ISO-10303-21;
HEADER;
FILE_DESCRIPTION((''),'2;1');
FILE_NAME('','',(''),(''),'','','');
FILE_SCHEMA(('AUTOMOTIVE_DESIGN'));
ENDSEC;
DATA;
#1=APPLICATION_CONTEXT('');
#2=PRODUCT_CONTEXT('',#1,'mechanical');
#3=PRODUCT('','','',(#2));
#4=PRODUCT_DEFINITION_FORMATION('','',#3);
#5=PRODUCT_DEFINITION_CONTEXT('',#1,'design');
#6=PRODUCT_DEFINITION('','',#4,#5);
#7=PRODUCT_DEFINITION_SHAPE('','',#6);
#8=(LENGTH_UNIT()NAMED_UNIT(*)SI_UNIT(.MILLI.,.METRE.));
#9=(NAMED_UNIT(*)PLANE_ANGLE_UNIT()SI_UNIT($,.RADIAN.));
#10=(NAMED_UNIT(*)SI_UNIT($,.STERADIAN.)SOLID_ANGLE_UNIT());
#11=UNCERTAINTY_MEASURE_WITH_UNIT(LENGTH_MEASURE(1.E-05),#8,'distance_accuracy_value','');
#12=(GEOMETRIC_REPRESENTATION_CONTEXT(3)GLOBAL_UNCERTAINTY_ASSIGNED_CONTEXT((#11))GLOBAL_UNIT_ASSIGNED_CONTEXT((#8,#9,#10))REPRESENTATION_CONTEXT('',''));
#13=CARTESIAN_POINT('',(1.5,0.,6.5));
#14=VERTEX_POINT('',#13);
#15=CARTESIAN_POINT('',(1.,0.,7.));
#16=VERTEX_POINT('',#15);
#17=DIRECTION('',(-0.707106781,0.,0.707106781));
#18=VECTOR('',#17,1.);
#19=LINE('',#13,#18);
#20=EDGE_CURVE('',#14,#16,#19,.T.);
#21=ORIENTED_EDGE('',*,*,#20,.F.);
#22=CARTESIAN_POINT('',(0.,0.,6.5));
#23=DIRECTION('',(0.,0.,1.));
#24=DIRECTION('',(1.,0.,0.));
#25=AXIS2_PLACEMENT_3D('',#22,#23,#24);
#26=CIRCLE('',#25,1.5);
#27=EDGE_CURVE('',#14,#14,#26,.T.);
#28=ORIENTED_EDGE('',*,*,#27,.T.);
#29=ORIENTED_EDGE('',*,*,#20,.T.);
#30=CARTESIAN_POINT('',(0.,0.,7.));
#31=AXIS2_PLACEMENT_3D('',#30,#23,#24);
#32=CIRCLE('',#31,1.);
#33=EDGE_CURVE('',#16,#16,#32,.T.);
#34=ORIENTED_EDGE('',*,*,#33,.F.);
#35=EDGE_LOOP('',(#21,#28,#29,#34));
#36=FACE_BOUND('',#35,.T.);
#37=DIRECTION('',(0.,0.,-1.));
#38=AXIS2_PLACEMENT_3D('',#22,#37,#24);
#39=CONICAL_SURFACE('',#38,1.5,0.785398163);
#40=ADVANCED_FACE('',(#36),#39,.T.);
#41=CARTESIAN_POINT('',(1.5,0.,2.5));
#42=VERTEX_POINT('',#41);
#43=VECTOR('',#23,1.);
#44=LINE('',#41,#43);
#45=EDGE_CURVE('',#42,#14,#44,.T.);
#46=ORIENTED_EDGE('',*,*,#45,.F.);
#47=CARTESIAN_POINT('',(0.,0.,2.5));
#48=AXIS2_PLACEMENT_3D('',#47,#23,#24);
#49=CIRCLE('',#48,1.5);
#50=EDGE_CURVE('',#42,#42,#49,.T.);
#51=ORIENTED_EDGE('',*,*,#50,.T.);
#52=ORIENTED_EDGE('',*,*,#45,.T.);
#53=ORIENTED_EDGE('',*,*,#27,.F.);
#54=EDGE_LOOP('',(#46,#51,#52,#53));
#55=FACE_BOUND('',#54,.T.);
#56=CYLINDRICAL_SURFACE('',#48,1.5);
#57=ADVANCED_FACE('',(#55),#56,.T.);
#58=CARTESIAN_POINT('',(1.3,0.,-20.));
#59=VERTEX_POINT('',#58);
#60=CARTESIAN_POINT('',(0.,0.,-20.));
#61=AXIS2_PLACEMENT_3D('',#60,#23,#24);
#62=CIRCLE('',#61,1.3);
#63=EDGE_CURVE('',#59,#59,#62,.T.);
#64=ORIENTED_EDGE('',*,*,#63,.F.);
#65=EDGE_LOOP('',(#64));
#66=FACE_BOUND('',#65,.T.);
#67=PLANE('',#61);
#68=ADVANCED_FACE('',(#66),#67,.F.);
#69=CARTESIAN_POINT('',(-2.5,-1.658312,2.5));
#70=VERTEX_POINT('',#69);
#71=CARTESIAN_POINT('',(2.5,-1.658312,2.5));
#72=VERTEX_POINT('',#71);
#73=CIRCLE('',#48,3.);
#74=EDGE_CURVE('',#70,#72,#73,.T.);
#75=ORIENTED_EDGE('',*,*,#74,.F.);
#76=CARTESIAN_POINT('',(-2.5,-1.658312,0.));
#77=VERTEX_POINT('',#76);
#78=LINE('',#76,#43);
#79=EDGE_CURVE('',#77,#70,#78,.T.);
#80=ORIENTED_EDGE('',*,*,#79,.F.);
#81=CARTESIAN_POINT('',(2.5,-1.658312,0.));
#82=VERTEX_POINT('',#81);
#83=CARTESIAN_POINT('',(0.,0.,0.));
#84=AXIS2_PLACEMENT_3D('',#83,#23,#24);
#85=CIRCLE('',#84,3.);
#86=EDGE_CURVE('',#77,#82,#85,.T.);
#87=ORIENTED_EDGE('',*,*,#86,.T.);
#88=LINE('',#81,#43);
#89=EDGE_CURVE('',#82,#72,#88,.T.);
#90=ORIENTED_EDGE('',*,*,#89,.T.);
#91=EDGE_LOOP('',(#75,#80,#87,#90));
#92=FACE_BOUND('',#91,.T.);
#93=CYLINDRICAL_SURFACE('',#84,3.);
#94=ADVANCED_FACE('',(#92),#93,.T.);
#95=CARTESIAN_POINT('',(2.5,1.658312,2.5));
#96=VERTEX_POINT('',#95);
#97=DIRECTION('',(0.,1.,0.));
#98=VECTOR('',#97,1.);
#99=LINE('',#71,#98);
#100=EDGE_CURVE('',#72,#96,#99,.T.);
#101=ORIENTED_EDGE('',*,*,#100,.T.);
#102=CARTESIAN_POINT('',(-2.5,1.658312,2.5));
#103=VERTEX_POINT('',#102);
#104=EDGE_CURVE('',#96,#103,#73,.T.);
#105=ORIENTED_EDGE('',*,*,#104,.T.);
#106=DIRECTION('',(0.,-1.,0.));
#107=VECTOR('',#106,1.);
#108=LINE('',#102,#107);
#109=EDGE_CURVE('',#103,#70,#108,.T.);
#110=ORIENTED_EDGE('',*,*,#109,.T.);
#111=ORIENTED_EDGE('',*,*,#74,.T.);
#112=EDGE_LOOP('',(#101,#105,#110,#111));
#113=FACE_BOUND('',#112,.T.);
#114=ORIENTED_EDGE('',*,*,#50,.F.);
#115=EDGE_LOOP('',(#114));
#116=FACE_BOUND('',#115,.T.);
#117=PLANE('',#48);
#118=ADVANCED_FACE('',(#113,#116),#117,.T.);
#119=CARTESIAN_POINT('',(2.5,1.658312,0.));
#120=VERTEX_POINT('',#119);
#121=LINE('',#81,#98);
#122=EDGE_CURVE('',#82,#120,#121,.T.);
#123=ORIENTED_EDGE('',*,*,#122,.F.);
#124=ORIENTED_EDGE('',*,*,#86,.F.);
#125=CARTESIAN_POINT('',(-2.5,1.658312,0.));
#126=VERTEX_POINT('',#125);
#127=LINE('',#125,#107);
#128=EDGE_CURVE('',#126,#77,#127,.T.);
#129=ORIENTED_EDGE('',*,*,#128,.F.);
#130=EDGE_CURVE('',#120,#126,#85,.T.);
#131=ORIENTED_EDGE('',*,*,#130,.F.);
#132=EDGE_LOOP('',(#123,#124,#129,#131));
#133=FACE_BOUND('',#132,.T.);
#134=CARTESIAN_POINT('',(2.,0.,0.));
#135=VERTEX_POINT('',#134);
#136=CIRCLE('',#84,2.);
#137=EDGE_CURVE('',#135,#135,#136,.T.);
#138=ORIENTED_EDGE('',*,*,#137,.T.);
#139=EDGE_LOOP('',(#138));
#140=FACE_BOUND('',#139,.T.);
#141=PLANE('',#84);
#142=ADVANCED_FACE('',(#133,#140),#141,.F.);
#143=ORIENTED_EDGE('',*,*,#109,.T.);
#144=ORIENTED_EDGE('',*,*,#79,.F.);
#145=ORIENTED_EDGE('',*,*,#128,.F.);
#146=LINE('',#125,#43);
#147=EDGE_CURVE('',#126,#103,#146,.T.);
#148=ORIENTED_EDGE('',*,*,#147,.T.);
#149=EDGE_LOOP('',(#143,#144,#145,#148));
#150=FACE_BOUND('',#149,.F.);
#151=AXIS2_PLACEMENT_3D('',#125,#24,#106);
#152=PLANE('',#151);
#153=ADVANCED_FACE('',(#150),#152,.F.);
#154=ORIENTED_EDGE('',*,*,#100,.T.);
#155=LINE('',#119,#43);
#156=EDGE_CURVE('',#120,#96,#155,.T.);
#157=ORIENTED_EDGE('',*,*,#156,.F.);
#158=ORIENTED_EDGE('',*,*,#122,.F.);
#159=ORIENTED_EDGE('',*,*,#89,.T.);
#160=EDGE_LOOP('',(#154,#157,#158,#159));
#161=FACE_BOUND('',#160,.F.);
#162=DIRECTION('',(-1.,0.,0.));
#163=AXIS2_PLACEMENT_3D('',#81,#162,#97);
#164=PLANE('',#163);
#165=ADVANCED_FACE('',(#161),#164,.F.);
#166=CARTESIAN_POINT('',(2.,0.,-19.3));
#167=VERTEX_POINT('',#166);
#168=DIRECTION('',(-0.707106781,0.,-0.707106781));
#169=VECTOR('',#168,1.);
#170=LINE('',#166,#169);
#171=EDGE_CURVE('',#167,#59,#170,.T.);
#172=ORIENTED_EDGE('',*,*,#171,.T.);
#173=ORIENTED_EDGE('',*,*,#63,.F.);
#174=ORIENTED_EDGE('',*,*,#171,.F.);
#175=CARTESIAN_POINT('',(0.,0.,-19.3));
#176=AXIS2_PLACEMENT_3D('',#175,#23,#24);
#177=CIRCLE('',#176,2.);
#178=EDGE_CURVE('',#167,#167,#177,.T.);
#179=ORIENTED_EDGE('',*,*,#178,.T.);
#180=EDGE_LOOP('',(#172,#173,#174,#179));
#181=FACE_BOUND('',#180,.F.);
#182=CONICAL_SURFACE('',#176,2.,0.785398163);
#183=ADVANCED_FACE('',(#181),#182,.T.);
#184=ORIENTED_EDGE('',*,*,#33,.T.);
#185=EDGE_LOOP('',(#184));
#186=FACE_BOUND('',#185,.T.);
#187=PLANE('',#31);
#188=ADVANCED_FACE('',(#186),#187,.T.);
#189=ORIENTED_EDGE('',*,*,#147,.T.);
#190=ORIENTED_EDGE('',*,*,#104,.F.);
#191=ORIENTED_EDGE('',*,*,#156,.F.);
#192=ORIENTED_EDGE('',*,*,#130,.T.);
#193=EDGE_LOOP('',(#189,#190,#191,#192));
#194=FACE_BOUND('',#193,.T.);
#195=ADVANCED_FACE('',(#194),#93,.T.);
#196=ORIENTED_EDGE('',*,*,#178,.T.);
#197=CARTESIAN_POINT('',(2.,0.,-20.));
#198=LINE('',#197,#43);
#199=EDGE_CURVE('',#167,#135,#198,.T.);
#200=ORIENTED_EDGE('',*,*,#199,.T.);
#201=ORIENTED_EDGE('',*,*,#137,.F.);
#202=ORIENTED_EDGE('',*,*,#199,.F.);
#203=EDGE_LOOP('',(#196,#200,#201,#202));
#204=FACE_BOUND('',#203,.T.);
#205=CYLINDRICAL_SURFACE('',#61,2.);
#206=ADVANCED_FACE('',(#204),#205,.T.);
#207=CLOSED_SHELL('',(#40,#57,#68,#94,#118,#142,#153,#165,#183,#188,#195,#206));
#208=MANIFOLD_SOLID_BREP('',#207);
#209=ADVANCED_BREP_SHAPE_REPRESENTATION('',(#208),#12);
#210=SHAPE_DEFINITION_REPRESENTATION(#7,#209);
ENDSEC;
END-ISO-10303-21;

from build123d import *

# Parameters (mm, degrees)
F2_SIZE  = 0.5
F3_SIZE  = 0.7
F5_DEPTH = 2.5


with BuildPart() as f1:
    # F0 (on Front) → F1 (revolve)
    with BuildSketch(Plane.XZ):
        Polygon((3, 2.5), (1.5, 2.5), (1.5, 7), (0, 7), (0, -20), (2, -20), (2, 0), (3, 0), align=None)
    revolve(axis=Axis((0, 0, -6.5), (0, 0, 1)))

    # F2
    f2_edges = [f1.edges().sort_by_distance(p)[0] for p in [
        (-1.5, 0, 7),
    ]]
    chamfer(f2_edges, length=F2_SIZE)

    # F3
    f3_edges = [f1.edges().sort_by_distance(p)[0] for p in [
        (-2, 0, -20),
    ]]
    chamfer(f3_edges, length=F3_SIZE)

    # F4 (on face) → F5 (cut, through all)
    with BuildSketch(Plane(origin=(0, 0, 0), x_dir=(1, 0, 0), z_dir=(0, 0, -1))):
        with BuildLine():
            ThreePointArc((3, 0), (2.8722813233, 0.8660254038), (2.5, 1.6583123952))
            Line((2.5, 1.6583123952), (2.5, -1.6583123952))
            ThreePointArc((2.5, -1.6583123952), (2.8722813233, -0.8660254038), (3, 0))
        make_face()
        with BuildLine():
            Line((-2.5, -1.6583123952), (-2.5, 1.6583123952))
            ThreePointArc((-2.5, 1.6583123952), (-3, 0), (-2.5, -1.6583123952))
        make_face()
    extrude(amount=-F5_DEPTH, mode=Mode.SUBTRACT)


solid = f1.part
